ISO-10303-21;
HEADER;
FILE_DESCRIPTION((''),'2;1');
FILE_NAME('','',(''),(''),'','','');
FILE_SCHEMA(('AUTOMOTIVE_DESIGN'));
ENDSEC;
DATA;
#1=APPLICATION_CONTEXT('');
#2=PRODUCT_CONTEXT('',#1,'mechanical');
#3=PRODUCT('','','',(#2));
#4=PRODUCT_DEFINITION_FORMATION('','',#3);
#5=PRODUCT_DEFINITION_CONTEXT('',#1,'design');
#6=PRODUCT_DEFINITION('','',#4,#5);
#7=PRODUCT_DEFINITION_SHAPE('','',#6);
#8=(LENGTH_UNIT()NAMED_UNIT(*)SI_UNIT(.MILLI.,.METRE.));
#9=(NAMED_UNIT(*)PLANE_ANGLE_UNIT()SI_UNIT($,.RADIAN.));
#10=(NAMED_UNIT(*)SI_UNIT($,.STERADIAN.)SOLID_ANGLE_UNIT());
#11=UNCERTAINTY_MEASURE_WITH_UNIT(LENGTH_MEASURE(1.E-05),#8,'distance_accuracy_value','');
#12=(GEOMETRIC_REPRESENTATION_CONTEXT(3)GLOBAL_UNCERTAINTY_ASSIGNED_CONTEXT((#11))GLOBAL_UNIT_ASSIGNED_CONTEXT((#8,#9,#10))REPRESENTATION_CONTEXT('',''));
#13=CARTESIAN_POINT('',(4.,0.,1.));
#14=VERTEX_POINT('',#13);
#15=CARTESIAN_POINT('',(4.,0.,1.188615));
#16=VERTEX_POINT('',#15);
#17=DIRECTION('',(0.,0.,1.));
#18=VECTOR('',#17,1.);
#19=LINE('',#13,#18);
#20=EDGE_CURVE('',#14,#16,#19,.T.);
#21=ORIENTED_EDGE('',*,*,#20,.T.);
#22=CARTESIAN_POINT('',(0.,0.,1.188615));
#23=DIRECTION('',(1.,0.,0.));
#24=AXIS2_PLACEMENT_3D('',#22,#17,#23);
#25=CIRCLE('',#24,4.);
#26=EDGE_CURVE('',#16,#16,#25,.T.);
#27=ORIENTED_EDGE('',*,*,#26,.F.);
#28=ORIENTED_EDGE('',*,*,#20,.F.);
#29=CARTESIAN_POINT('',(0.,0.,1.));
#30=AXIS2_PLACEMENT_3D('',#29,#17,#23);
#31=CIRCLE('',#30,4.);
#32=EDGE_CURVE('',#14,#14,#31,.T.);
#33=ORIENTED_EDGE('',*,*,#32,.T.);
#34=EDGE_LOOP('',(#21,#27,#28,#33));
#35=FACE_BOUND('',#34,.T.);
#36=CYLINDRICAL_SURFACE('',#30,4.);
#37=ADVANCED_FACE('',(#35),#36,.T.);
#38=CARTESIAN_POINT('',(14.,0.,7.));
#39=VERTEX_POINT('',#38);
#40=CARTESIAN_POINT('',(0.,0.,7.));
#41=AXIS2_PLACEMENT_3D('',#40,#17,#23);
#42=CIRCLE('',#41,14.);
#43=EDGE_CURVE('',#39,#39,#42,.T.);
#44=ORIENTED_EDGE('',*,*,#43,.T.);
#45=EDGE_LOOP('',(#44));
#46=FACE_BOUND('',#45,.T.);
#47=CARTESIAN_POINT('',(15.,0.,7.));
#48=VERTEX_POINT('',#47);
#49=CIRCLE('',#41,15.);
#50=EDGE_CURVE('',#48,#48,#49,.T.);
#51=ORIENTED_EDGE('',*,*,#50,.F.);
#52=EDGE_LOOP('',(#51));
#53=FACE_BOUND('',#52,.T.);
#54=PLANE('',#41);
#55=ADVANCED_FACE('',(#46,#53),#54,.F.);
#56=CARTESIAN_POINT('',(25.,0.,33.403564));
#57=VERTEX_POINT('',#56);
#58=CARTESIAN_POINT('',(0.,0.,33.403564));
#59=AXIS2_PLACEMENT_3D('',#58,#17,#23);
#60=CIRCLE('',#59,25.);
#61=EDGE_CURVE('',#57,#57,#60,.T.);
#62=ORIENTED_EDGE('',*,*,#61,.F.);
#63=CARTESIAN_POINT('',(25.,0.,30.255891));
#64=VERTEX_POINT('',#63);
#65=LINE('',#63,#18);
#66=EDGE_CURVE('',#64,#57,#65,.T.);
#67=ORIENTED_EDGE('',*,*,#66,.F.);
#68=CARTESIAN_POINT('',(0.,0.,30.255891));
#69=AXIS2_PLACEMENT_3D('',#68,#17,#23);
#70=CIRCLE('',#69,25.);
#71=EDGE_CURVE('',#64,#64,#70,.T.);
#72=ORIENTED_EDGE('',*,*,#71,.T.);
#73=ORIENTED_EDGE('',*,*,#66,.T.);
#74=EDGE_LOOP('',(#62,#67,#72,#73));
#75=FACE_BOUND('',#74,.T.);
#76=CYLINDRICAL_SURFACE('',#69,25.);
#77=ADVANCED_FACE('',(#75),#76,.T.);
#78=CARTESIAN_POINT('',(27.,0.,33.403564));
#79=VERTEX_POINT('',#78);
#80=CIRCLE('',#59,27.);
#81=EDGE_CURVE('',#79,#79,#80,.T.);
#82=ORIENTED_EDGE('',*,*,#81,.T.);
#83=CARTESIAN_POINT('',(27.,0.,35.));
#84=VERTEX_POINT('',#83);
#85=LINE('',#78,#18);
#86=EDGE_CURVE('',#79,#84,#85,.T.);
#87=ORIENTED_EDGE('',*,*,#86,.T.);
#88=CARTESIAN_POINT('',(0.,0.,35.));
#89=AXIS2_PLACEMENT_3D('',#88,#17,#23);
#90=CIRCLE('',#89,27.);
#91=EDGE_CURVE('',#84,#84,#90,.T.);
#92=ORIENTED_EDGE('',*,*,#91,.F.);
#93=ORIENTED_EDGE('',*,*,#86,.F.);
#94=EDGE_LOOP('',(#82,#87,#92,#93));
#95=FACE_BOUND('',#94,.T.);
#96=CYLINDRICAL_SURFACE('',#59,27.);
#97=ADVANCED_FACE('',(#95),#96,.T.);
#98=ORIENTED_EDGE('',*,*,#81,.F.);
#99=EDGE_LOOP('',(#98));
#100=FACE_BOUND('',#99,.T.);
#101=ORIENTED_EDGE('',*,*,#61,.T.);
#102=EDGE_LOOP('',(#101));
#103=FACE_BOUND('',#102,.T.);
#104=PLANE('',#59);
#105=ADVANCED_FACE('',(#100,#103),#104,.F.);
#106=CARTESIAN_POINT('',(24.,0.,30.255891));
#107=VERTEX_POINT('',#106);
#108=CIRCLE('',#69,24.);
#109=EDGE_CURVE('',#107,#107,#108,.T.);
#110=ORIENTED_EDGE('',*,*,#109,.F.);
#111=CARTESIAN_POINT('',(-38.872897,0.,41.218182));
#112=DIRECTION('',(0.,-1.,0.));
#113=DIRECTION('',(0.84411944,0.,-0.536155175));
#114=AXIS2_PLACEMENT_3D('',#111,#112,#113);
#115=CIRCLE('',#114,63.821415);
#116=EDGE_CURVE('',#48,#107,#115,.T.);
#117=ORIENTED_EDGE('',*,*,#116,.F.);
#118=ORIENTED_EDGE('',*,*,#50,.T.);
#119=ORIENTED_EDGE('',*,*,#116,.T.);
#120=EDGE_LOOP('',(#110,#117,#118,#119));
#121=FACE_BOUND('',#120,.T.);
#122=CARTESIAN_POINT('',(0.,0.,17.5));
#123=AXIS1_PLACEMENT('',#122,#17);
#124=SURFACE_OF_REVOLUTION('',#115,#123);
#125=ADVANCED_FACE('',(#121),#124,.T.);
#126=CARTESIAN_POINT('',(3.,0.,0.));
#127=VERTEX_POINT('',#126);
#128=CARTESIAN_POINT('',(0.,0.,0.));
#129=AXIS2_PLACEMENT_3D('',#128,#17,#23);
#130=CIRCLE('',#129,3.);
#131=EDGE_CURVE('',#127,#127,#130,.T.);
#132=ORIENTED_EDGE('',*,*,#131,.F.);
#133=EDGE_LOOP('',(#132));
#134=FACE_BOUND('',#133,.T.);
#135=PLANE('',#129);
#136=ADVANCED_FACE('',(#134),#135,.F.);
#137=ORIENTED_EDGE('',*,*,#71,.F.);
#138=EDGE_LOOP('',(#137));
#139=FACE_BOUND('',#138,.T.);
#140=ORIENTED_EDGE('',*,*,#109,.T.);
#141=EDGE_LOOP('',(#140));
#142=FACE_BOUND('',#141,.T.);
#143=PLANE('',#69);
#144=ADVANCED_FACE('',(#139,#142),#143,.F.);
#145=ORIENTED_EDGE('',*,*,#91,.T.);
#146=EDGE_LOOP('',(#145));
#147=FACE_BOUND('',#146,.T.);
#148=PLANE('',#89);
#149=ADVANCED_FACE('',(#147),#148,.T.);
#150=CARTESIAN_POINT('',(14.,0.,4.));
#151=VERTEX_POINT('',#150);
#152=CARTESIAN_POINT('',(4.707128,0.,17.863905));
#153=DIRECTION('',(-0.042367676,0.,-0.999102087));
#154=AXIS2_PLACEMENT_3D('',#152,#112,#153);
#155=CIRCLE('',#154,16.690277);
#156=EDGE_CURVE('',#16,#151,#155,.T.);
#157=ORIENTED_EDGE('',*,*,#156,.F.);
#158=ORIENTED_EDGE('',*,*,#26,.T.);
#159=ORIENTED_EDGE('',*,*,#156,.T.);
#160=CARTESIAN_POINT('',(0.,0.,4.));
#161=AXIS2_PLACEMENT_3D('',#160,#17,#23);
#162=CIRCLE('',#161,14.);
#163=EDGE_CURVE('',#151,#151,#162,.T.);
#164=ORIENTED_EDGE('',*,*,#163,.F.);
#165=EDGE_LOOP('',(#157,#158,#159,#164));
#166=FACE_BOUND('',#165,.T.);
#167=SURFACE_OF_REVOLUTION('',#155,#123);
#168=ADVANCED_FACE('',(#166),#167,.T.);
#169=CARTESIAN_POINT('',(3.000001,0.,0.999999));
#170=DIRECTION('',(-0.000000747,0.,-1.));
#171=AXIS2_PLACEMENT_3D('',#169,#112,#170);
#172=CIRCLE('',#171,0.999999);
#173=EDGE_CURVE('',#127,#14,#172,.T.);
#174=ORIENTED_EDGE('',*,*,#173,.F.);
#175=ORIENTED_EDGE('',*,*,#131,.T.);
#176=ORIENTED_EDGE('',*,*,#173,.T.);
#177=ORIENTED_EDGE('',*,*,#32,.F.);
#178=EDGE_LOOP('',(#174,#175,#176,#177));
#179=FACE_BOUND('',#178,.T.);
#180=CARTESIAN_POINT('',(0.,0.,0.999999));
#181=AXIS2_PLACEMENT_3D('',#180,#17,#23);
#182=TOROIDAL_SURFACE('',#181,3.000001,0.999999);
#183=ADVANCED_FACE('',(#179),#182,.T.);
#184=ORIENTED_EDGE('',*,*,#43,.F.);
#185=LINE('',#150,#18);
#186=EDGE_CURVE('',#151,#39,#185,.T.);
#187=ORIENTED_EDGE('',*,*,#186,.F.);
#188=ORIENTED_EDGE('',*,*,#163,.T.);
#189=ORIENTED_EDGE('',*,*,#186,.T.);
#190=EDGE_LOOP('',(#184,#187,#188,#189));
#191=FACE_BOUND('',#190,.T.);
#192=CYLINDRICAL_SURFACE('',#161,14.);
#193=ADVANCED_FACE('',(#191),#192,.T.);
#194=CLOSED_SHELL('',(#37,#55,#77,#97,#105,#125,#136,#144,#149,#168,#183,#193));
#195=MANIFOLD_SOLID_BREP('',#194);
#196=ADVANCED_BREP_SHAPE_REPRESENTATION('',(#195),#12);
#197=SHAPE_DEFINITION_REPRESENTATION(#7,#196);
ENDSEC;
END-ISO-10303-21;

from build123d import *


with BuildPart() as f1:
    # F0 (on Front) → F1 (revolve)
    with BuildSketch(Plane.XZ):
        with BuildLine():
            Line((0, 35), (0, 0))
            Line((0, 0), (3, 0))
            ThreePointArc((3, 0), (3.707107, 0.292893), (4, 1))
            Line((4, 1), (4, 1.188615))
            ThreePointArc((4, 1.188615), (9.224287, 1.796528), (14, 4))
            Line((14, 4), (14, 7))
            Line((14, 7), (15, 7))
            ThreePointArc((15, 7), (20.646883, 18.184103), (24, 30.255891))
            Line((24, 30.255891), (25, 30.255891))
            Line((25, 30.255891), (25, 33.403564))
            Line((25, 33.403564), (27, 33.403564))
            Line((27, 33.403564), (27, 35))
            Line((27, 35), (0, 35))
        make_face()
    revolve(axis=Axis((0, 0, 17.5), (0, 0, 1)))


solid = f1.part
